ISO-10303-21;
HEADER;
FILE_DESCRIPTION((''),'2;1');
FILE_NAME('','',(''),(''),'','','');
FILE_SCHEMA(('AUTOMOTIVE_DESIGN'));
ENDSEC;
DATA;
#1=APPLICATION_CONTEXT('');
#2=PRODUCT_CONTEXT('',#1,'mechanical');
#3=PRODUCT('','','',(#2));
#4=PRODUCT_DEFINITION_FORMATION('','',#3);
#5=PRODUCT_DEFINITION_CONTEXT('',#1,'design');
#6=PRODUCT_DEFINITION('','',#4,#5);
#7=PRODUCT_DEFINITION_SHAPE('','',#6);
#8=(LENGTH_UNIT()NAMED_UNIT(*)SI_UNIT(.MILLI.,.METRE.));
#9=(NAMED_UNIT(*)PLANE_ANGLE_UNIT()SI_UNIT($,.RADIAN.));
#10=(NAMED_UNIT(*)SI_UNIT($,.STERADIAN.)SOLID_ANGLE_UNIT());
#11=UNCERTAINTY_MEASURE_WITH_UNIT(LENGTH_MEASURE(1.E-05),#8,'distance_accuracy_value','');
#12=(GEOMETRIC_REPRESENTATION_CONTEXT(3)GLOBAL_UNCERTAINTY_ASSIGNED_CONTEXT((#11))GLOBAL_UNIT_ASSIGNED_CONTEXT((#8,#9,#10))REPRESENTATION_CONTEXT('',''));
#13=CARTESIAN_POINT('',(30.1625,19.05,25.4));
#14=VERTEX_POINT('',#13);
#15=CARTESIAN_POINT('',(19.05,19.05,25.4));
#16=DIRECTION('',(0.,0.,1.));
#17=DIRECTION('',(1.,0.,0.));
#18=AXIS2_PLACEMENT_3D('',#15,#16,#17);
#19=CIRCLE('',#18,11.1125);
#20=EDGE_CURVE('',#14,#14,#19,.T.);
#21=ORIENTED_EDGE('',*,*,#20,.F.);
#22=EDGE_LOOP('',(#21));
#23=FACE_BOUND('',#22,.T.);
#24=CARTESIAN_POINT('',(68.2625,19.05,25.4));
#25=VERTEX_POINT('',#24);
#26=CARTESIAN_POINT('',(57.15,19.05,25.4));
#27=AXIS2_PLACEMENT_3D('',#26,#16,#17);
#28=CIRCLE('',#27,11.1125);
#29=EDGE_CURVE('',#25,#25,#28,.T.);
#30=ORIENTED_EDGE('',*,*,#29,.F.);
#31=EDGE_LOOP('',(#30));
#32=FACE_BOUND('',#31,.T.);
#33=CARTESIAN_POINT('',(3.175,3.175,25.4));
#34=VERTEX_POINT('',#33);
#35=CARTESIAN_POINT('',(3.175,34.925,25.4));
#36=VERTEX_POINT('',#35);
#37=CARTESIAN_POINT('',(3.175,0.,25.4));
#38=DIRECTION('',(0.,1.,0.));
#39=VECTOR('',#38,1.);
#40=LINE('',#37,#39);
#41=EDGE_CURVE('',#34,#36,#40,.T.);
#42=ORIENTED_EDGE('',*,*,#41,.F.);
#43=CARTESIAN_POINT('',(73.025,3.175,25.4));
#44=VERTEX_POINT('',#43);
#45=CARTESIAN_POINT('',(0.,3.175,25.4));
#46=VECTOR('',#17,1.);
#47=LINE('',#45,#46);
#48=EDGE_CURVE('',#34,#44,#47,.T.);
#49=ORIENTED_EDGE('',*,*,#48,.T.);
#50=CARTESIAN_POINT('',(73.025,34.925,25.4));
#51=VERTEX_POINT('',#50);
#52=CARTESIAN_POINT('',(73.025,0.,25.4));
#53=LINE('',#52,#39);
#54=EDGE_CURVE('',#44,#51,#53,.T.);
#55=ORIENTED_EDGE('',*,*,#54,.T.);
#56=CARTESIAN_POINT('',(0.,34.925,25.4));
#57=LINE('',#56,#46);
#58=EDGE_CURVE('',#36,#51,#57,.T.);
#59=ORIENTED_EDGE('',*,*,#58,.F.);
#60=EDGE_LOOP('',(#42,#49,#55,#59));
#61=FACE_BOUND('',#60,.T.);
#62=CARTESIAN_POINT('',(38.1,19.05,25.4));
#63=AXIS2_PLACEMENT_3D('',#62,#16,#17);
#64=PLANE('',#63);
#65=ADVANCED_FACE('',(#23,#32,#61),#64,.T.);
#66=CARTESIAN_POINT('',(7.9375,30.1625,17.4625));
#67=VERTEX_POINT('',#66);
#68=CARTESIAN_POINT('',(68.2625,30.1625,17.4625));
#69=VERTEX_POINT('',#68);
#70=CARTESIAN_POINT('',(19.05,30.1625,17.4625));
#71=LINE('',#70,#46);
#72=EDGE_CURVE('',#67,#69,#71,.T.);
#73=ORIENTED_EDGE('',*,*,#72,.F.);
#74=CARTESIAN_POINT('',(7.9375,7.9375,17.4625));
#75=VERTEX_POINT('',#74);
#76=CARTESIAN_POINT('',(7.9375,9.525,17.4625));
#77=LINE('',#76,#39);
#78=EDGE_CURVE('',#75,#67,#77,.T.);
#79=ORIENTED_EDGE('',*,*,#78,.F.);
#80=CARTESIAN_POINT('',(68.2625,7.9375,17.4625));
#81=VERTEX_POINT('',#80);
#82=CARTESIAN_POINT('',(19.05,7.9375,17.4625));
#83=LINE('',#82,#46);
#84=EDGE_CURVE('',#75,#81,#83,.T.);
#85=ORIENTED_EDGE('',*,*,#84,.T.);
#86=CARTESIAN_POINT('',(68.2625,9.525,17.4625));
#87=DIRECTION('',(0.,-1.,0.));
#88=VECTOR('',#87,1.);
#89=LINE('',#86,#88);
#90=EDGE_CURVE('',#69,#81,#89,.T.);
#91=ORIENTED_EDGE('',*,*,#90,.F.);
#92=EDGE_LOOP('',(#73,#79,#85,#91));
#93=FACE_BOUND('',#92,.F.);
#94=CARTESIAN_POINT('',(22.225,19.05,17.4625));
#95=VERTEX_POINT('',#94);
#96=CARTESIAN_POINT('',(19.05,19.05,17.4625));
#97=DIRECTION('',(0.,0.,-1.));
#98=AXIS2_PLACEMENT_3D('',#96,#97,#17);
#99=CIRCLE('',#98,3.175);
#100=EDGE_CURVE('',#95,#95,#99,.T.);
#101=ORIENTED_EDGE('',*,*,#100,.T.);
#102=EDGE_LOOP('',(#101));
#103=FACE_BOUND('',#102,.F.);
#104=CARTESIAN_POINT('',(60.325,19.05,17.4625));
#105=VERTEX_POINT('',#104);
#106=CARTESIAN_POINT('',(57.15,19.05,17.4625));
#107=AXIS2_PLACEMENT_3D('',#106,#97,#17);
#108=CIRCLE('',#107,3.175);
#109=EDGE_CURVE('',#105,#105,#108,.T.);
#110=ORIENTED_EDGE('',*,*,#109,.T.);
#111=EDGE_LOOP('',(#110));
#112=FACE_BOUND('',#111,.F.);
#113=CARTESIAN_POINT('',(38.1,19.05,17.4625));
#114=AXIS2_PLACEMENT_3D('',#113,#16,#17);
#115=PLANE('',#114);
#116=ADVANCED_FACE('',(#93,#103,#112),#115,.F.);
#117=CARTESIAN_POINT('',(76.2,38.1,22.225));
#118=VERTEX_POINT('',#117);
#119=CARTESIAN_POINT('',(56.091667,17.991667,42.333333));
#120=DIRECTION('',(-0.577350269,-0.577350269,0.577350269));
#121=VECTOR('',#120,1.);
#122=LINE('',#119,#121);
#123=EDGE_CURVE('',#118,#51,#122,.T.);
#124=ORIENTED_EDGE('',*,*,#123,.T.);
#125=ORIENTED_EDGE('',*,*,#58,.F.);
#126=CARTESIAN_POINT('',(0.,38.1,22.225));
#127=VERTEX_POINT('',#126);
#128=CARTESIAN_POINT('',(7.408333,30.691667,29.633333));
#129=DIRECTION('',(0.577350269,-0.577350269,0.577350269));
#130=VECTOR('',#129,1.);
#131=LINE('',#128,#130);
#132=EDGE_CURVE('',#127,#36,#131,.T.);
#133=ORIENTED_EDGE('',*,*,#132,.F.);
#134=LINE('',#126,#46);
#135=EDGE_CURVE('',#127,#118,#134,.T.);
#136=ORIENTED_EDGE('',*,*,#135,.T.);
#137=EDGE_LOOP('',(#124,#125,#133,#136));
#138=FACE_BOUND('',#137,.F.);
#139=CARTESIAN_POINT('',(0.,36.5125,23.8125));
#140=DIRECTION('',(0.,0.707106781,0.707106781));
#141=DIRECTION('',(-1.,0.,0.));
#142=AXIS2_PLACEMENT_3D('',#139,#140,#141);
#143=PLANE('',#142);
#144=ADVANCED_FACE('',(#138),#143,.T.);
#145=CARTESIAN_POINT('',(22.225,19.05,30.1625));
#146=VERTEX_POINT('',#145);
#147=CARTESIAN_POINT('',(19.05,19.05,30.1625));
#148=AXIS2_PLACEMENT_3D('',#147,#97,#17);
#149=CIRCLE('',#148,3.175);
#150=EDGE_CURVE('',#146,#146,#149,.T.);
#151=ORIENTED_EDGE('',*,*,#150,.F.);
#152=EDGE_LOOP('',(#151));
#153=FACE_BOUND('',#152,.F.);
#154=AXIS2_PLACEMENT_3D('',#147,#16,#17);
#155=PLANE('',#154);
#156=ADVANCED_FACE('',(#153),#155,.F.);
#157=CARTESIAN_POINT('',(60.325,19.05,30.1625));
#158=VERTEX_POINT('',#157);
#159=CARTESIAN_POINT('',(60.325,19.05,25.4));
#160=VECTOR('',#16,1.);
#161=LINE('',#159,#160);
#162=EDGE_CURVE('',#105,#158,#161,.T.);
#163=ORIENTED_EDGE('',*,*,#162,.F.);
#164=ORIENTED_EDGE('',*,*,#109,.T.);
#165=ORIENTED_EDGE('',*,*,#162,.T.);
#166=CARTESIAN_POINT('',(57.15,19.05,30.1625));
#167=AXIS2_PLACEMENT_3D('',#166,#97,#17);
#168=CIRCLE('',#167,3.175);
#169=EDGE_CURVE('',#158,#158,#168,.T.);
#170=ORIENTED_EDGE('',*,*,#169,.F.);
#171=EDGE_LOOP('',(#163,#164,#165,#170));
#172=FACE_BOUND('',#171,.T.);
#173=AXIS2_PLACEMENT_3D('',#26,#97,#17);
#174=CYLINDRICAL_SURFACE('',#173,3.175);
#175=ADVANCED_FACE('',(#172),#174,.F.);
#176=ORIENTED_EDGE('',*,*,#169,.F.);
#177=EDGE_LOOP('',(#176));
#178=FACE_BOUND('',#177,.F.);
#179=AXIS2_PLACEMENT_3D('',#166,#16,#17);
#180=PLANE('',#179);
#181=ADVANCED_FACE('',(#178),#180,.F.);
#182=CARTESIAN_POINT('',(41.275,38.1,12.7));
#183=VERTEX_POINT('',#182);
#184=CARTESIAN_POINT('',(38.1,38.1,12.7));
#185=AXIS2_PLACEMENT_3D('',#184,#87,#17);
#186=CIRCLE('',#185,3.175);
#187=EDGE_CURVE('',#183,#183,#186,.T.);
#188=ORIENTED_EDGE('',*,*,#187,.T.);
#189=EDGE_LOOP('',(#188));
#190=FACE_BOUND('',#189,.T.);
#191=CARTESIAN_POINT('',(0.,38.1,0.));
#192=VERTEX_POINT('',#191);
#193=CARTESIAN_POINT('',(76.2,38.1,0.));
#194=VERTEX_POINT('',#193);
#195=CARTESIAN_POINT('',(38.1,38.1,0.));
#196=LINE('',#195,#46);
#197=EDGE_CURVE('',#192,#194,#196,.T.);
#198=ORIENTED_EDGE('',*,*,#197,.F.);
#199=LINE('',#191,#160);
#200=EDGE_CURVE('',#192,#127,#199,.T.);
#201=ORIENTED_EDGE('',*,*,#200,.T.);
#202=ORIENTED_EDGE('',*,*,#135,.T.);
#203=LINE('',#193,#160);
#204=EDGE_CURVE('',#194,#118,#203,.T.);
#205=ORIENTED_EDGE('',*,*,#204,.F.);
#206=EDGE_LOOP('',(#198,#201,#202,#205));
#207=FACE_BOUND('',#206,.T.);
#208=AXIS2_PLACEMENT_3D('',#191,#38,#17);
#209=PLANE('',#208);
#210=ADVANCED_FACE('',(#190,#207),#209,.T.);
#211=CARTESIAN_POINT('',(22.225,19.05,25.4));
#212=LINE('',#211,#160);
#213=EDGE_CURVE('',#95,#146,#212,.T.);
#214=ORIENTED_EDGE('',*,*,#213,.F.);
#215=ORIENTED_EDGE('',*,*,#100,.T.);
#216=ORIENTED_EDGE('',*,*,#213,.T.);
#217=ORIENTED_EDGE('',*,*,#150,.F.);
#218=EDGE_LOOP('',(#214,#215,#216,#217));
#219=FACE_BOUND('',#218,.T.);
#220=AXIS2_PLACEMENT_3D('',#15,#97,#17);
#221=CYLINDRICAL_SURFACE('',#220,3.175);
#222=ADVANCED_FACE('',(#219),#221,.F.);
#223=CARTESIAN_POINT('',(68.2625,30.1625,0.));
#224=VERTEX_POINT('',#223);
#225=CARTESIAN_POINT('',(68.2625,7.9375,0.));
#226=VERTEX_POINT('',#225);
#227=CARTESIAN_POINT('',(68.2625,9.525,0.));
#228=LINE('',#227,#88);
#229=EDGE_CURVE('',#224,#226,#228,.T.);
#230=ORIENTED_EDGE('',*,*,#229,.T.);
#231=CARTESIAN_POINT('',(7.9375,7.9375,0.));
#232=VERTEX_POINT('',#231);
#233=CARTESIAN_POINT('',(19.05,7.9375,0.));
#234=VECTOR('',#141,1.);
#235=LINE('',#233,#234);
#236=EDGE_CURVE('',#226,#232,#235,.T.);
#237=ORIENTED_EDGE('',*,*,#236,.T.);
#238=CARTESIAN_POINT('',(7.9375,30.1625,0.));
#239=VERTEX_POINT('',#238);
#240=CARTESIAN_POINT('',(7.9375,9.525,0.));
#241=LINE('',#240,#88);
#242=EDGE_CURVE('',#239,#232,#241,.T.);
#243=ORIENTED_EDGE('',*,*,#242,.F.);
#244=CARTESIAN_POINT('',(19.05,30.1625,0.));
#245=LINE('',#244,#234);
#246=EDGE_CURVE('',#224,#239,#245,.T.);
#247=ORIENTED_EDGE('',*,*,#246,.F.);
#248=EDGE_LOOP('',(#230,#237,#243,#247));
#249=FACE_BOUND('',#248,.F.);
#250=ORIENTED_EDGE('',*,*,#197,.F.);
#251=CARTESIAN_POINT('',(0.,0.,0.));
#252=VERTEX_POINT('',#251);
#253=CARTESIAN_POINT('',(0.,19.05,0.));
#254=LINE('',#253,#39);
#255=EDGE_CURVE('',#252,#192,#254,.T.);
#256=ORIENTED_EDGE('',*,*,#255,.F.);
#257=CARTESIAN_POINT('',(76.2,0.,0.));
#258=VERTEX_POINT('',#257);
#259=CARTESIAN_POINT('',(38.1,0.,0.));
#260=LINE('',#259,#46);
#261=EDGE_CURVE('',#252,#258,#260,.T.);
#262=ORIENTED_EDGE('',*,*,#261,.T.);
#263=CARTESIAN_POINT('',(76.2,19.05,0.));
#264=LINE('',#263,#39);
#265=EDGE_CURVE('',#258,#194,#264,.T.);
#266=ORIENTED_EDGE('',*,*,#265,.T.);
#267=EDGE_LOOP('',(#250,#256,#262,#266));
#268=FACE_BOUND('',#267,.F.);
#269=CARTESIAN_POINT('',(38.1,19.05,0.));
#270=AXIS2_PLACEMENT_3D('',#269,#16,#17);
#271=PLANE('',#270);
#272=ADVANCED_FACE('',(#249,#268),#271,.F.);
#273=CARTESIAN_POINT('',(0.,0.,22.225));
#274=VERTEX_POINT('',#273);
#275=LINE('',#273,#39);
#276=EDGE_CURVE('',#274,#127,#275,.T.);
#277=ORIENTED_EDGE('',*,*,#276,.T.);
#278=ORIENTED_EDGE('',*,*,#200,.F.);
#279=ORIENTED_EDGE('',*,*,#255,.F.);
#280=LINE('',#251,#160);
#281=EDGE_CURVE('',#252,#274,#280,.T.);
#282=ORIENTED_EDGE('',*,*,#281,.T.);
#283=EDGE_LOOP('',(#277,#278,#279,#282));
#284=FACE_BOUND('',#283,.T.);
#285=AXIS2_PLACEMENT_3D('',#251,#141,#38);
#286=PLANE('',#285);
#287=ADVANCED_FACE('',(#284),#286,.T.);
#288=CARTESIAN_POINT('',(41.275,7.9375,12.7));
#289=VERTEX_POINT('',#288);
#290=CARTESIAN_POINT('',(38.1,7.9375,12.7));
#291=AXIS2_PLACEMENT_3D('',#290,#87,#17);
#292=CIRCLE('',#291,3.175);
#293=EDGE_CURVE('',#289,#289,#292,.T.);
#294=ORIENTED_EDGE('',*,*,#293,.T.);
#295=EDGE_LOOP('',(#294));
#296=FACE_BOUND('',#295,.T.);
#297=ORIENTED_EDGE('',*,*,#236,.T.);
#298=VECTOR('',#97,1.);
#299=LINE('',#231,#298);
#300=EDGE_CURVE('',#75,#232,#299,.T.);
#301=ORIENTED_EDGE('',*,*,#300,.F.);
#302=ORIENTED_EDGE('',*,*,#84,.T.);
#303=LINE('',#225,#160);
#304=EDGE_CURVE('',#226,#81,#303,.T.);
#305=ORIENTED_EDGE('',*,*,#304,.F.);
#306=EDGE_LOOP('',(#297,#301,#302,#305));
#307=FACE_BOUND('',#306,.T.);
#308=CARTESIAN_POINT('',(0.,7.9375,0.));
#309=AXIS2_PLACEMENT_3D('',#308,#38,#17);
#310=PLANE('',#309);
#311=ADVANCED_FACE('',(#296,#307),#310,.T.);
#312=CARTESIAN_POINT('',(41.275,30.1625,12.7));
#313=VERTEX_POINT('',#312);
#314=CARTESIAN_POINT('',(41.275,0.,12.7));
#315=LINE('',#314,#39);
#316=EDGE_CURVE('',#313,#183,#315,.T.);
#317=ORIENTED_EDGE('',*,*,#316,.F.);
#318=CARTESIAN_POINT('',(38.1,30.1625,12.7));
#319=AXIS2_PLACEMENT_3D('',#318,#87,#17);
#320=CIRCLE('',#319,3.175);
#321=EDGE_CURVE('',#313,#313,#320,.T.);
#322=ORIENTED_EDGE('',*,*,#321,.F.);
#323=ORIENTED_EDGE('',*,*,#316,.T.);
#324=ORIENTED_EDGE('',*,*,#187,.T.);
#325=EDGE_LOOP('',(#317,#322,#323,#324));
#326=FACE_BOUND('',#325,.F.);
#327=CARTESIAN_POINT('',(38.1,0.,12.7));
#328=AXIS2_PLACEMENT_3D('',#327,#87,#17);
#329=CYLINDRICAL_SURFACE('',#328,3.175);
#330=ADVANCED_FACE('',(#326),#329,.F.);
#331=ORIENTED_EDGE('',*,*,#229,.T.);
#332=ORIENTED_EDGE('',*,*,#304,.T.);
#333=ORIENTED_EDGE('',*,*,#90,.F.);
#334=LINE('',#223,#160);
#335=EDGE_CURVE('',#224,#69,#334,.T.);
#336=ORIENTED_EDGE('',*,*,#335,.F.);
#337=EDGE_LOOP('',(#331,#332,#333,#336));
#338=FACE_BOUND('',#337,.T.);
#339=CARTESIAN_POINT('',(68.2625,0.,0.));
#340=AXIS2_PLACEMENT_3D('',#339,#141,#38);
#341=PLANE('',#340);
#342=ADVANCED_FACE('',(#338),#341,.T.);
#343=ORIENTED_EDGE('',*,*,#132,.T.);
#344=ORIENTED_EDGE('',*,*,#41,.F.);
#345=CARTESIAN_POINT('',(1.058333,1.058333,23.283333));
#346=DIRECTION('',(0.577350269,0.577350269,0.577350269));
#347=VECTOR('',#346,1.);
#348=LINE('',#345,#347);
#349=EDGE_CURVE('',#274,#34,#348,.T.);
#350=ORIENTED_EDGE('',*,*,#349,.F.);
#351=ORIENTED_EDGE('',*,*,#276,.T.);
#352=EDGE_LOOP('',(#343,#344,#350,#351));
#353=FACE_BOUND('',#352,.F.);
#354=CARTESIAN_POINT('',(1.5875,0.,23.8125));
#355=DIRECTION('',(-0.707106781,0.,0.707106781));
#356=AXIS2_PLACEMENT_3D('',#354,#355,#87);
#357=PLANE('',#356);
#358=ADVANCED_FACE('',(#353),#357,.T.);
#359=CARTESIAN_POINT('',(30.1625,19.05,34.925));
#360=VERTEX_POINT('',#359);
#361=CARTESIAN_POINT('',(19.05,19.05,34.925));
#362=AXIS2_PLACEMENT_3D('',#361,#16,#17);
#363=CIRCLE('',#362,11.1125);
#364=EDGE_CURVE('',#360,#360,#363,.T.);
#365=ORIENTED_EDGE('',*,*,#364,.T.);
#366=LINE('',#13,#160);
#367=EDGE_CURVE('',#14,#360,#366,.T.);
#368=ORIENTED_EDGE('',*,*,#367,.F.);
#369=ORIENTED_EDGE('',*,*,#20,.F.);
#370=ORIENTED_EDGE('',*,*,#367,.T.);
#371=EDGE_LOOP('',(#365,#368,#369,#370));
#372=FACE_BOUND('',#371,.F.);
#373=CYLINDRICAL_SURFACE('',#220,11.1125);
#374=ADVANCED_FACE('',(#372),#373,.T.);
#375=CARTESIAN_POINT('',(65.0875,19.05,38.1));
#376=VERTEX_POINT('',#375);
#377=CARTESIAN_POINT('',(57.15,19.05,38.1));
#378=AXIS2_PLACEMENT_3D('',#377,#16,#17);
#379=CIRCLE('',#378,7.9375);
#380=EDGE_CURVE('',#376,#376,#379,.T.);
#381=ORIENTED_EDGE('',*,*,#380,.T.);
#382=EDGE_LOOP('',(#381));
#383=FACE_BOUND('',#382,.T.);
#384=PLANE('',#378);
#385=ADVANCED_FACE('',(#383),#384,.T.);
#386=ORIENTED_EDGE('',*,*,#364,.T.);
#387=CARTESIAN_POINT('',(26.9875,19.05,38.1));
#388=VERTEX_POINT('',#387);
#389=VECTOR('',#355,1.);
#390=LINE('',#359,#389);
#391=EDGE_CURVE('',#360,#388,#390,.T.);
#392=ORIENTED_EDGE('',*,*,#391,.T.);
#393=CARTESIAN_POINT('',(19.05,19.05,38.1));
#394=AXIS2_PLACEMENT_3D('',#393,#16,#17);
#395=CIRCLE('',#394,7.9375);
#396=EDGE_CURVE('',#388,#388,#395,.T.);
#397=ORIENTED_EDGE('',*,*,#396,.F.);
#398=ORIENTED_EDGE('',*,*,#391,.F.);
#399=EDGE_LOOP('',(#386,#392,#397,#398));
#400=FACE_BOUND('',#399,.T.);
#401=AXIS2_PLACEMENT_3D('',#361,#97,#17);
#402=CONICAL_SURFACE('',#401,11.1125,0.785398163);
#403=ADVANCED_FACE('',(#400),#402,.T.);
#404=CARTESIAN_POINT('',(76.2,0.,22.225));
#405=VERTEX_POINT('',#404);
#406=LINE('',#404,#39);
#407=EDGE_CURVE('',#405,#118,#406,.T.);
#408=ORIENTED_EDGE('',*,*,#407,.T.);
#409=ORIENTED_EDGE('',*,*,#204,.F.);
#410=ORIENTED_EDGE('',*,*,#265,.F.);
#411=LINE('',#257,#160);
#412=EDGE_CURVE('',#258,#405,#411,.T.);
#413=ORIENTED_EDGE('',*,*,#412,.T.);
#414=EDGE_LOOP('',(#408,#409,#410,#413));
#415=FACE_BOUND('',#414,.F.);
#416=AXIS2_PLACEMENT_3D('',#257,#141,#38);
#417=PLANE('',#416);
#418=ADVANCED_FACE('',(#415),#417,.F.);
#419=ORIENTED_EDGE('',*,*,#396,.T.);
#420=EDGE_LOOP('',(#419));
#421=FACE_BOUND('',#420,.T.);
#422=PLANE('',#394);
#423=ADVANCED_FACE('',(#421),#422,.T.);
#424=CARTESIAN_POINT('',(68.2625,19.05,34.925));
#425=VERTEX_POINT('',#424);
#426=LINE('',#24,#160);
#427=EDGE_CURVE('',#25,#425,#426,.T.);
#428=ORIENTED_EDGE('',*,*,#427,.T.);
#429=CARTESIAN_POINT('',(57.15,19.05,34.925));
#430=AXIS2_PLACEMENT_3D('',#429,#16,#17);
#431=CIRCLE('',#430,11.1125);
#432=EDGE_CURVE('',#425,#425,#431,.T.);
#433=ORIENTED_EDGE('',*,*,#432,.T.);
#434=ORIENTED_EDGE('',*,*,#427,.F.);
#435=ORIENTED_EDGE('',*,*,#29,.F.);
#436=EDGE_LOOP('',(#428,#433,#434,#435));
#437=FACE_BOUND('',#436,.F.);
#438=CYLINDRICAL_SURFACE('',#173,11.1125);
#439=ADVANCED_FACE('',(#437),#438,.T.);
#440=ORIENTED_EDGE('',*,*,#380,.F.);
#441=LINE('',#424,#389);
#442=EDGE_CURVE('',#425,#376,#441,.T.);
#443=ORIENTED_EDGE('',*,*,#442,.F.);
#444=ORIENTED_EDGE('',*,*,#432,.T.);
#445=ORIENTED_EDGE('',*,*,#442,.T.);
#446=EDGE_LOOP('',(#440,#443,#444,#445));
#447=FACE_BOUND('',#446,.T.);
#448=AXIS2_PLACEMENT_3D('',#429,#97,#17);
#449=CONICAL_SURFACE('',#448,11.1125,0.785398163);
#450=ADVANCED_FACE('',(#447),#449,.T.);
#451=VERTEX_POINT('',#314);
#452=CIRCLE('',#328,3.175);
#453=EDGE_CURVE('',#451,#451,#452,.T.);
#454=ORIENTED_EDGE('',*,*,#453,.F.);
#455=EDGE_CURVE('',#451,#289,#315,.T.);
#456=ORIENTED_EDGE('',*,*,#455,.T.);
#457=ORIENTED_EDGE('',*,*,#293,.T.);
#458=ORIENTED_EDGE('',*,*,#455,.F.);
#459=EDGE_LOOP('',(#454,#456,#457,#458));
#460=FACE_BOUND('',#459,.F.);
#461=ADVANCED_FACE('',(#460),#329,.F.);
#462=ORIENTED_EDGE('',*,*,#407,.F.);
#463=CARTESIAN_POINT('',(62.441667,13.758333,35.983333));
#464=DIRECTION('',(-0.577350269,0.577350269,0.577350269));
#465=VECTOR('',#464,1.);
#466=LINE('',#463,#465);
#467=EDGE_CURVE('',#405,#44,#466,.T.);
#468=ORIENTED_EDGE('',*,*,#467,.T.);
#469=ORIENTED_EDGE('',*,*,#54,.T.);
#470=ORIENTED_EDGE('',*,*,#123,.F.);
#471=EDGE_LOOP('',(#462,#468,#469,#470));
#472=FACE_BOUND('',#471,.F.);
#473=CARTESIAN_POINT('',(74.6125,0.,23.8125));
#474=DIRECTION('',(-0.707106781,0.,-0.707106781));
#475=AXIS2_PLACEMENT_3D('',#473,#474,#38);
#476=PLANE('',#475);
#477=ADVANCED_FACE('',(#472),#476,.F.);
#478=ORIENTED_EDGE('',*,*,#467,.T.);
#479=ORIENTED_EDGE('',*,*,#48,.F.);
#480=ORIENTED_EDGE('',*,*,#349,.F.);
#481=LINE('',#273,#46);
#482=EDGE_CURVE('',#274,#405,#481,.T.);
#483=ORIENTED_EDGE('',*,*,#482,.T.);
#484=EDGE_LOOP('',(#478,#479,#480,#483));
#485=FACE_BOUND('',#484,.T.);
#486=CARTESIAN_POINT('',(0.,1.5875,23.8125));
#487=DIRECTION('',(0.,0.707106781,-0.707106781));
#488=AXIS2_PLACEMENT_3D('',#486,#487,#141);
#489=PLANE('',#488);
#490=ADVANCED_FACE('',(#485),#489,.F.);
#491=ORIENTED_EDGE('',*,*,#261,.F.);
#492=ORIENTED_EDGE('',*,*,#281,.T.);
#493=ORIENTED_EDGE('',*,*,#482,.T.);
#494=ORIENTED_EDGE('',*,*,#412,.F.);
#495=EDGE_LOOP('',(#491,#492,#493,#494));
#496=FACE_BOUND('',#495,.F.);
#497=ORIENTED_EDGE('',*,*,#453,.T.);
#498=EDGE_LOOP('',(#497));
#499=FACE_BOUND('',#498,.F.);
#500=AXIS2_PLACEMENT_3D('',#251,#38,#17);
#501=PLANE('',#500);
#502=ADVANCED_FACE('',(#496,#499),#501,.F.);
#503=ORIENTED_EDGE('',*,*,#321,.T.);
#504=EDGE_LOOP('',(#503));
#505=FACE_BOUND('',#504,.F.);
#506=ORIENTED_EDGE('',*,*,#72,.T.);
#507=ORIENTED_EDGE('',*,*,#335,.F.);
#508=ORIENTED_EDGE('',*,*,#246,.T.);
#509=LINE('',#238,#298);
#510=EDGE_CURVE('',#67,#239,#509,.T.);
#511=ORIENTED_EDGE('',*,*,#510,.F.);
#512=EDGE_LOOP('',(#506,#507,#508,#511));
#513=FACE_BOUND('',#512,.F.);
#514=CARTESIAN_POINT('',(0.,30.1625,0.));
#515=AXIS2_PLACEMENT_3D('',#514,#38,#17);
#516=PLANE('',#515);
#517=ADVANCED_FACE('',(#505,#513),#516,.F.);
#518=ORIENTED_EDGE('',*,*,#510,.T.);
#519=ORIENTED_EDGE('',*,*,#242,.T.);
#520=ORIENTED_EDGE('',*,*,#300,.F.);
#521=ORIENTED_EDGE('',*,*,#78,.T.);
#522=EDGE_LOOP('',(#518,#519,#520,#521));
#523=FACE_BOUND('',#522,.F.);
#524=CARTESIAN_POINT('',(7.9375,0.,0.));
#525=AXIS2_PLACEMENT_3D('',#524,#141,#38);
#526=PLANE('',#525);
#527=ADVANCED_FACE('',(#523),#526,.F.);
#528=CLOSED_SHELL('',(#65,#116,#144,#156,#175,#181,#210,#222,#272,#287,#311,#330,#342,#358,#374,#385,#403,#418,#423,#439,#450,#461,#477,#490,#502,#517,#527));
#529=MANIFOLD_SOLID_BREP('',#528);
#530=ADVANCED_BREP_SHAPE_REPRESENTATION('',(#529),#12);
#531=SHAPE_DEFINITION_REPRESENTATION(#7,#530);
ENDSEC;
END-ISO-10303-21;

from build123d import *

# Parameters (mm, degrees)
F0_W     = 76.2
F0_H     = 38.1
F1_DEPTH = 25.4
F2_R     = 11.1125
F3_DEPTH = 12.7
F4_T     = -7.9375
F5_R     = 3.175
F6_DEPTH = 38.1
F7_SIZE2 = 3.175
F7_SIZE  = 3.175


with BuildPart() as f1:
    # F0 (on Top) → F1 (new body)
    with BuildSketch(Plane.XY):
        with Locations((38.1, 19.05)):
            Rectangle(F0_W, F0_H)
    extrude(amount=F1_DEPTH)

    # F2 (on face) → F3 (join)
    with BuildSketch(Plane.XY.offset(25.4)):
        with Locations((19.05, 19.05)):
            Circle(F2_R)
        with Locations((57.15, 19.05)):
            Circle(F2_R)
    extrude(amount=F3_DEPTH)

    # F4
    f4_openings = [f1.faces().sort_by_distance(p)[0] for p in [
        (38.1, 19.05, 0),
    ]]
    offset(amount=F4_T, openings=f4_openings, kind=Kind.INTERSECTION)

    # F5 (on face) → F6 (cut)
    with BuildSketch(Plane.XZ):
        with Locations((38.1, 12.7)):
            Circle(F5_R)
    extrude(amount=-F6_DEPTH, mode=Mode.SUBTRACT)

    # F7
    f7_edges = [f1.edges().sort_by_distance(p)[0] for p in [
        (7.9375, 19.05, 38.1),
        (46.0375, 19.05, 38.1),
        (38.1, 0, 25.4),
        (0, 19.05, 25.4),
        (38.1, 38.1, 25.4),
        (76.2, 19.05, 25.4),
    ]]
    chamfer(f7_edges, length=F7_SIZE, length2=F7_SIZE2)


solid = f1.part
